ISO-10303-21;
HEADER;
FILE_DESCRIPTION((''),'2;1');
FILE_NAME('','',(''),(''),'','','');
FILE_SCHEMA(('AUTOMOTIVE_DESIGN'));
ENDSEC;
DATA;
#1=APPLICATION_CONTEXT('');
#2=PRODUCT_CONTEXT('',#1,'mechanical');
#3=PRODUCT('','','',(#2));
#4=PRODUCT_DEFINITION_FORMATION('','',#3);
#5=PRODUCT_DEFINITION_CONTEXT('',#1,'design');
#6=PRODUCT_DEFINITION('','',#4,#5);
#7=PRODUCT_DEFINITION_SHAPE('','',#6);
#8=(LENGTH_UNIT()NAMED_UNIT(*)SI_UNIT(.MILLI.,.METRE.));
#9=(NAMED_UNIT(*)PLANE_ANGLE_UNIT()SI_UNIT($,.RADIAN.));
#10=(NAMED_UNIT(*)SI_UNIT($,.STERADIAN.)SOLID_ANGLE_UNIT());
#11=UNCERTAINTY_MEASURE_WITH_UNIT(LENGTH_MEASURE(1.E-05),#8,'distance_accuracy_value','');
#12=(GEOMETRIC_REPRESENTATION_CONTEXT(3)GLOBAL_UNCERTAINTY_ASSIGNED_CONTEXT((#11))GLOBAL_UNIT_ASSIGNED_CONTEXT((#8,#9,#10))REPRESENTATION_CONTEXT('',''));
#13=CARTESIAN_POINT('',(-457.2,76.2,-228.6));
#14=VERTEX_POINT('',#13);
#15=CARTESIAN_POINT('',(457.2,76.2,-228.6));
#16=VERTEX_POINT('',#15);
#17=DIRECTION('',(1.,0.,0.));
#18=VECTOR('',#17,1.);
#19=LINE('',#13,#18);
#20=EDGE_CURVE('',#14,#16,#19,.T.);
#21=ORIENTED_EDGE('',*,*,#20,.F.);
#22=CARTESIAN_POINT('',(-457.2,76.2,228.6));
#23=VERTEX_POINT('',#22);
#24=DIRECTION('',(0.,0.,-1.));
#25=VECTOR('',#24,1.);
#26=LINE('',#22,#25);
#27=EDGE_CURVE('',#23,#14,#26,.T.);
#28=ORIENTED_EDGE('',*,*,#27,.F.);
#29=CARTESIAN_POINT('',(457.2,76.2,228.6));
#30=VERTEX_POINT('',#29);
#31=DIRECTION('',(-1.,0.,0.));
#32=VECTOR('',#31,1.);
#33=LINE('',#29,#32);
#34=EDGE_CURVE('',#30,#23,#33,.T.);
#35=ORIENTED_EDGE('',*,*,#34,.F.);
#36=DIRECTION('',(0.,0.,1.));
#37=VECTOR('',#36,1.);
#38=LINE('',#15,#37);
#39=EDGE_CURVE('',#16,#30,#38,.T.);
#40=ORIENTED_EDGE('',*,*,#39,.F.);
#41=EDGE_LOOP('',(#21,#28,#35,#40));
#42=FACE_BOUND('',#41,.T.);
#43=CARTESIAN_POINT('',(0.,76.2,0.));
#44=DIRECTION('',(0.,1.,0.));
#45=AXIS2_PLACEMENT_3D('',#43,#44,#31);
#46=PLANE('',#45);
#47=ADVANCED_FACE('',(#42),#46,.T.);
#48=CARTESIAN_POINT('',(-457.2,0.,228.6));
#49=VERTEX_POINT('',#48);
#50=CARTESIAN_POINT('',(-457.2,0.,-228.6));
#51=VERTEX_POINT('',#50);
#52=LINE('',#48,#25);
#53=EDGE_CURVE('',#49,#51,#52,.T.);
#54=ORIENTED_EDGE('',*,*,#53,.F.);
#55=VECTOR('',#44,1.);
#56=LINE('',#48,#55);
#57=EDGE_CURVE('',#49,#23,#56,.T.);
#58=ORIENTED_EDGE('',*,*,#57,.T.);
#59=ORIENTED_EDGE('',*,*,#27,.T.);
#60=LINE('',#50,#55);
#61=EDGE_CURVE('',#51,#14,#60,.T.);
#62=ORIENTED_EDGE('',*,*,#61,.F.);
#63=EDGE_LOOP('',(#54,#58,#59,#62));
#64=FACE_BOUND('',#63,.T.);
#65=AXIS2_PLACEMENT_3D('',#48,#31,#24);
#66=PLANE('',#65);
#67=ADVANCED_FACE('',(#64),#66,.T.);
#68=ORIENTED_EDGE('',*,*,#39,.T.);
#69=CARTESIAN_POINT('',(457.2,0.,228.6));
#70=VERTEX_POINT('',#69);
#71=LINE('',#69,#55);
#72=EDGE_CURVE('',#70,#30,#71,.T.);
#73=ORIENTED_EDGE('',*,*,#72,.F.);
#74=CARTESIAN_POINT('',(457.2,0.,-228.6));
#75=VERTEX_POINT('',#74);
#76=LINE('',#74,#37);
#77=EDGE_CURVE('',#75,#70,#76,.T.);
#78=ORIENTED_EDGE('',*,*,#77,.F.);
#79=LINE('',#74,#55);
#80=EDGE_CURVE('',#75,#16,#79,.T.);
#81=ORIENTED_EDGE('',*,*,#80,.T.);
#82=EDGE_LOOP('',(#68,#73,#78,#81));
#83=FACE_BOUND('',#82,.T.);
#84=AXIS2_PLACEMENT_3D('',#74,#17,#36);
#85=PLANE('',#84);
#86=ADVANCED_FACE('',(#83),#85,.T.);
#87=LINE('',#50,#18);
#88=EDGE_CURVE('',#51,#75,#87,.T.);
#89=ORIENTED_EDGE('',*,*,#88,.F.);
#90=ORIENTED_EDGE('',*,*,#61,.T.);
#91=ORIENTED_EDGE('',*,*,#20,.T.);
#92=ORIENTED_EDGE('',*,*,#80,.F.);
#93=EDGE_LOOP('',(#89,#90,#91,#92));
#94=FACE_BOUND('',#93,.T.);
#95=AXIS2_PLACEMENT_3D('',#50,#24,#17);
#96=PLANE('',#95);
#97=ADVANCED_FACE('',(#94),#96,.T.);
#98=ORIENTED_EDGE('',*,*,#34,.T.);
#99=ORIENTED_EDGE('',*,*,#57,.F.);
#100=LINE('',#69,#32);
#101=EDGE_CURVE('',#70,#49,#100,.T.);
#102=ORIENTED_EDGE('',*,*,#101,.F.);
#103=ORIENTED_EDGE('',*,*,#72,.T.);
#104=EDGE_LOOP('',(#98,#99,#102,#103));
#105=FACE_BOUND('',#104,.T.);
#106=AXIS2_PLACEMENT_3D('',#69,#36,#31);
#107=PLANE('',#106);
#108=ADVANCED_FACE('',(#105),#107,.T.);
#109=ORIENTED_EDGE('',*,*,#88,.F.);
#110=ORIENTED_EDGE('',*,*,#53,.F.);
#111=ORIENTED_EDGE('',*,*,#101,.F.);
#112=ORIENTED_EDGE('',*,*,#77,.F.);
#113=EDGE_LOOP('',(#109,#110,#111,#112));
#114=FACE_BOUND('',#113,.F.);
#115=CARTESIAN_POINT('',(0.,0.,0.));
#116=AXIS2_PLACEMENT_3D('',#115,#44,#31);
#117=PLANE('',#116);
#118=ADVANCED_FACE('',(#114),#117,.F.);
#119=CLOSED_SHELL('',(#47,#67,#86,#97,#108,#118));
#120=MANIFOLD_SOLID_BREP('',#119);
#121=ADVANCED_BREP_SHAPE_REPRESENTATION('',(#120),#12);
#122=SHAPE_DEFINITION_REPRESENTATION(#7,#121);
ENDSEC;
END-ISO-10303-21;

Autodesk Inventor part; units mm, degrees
ref_plane "YZ Plane" through (0, 0, 0) normal (1, 0, 0) x (0, 1, 0)
ref_plane "XZ Plane" through (0, 0, 0) normal (0, 1, 0) x (-1, 0, 0)
ref_plane "XY Plane" through (0, 0, 0) normal (0, 0, 1) x (1, 0, 0)
sketch "Sketch1" plane through (0, 0, 0) normal (0, 1, 0) x (-1, 0, 0)
  line L0 (457.2, -228.6) -> (-457.2, -228.6)
  line L1 (-457.2, -228.6) -> (-457.2, 228.6)
  line L2 (-457.2, 228.6) -> (457.2, 228.6)
  line L3 (457.2, 228.6) -> (457.2, -228.6)
  line L4 (457.2, -228.6) -> (-457.2, 228.6) construction
  line L5 (-457.2, -228.6) -> (457.2, 228.6) construction
  point P0 (0, 0)
  dimension "d0" = 914.4
  dimension "d1" = 457.2
extrude "Extrusion1" add sketch "Sketch1" along normal blind 76.2
properties part number "Plinth paver ST-1 3x18x36" material "Limestone"
